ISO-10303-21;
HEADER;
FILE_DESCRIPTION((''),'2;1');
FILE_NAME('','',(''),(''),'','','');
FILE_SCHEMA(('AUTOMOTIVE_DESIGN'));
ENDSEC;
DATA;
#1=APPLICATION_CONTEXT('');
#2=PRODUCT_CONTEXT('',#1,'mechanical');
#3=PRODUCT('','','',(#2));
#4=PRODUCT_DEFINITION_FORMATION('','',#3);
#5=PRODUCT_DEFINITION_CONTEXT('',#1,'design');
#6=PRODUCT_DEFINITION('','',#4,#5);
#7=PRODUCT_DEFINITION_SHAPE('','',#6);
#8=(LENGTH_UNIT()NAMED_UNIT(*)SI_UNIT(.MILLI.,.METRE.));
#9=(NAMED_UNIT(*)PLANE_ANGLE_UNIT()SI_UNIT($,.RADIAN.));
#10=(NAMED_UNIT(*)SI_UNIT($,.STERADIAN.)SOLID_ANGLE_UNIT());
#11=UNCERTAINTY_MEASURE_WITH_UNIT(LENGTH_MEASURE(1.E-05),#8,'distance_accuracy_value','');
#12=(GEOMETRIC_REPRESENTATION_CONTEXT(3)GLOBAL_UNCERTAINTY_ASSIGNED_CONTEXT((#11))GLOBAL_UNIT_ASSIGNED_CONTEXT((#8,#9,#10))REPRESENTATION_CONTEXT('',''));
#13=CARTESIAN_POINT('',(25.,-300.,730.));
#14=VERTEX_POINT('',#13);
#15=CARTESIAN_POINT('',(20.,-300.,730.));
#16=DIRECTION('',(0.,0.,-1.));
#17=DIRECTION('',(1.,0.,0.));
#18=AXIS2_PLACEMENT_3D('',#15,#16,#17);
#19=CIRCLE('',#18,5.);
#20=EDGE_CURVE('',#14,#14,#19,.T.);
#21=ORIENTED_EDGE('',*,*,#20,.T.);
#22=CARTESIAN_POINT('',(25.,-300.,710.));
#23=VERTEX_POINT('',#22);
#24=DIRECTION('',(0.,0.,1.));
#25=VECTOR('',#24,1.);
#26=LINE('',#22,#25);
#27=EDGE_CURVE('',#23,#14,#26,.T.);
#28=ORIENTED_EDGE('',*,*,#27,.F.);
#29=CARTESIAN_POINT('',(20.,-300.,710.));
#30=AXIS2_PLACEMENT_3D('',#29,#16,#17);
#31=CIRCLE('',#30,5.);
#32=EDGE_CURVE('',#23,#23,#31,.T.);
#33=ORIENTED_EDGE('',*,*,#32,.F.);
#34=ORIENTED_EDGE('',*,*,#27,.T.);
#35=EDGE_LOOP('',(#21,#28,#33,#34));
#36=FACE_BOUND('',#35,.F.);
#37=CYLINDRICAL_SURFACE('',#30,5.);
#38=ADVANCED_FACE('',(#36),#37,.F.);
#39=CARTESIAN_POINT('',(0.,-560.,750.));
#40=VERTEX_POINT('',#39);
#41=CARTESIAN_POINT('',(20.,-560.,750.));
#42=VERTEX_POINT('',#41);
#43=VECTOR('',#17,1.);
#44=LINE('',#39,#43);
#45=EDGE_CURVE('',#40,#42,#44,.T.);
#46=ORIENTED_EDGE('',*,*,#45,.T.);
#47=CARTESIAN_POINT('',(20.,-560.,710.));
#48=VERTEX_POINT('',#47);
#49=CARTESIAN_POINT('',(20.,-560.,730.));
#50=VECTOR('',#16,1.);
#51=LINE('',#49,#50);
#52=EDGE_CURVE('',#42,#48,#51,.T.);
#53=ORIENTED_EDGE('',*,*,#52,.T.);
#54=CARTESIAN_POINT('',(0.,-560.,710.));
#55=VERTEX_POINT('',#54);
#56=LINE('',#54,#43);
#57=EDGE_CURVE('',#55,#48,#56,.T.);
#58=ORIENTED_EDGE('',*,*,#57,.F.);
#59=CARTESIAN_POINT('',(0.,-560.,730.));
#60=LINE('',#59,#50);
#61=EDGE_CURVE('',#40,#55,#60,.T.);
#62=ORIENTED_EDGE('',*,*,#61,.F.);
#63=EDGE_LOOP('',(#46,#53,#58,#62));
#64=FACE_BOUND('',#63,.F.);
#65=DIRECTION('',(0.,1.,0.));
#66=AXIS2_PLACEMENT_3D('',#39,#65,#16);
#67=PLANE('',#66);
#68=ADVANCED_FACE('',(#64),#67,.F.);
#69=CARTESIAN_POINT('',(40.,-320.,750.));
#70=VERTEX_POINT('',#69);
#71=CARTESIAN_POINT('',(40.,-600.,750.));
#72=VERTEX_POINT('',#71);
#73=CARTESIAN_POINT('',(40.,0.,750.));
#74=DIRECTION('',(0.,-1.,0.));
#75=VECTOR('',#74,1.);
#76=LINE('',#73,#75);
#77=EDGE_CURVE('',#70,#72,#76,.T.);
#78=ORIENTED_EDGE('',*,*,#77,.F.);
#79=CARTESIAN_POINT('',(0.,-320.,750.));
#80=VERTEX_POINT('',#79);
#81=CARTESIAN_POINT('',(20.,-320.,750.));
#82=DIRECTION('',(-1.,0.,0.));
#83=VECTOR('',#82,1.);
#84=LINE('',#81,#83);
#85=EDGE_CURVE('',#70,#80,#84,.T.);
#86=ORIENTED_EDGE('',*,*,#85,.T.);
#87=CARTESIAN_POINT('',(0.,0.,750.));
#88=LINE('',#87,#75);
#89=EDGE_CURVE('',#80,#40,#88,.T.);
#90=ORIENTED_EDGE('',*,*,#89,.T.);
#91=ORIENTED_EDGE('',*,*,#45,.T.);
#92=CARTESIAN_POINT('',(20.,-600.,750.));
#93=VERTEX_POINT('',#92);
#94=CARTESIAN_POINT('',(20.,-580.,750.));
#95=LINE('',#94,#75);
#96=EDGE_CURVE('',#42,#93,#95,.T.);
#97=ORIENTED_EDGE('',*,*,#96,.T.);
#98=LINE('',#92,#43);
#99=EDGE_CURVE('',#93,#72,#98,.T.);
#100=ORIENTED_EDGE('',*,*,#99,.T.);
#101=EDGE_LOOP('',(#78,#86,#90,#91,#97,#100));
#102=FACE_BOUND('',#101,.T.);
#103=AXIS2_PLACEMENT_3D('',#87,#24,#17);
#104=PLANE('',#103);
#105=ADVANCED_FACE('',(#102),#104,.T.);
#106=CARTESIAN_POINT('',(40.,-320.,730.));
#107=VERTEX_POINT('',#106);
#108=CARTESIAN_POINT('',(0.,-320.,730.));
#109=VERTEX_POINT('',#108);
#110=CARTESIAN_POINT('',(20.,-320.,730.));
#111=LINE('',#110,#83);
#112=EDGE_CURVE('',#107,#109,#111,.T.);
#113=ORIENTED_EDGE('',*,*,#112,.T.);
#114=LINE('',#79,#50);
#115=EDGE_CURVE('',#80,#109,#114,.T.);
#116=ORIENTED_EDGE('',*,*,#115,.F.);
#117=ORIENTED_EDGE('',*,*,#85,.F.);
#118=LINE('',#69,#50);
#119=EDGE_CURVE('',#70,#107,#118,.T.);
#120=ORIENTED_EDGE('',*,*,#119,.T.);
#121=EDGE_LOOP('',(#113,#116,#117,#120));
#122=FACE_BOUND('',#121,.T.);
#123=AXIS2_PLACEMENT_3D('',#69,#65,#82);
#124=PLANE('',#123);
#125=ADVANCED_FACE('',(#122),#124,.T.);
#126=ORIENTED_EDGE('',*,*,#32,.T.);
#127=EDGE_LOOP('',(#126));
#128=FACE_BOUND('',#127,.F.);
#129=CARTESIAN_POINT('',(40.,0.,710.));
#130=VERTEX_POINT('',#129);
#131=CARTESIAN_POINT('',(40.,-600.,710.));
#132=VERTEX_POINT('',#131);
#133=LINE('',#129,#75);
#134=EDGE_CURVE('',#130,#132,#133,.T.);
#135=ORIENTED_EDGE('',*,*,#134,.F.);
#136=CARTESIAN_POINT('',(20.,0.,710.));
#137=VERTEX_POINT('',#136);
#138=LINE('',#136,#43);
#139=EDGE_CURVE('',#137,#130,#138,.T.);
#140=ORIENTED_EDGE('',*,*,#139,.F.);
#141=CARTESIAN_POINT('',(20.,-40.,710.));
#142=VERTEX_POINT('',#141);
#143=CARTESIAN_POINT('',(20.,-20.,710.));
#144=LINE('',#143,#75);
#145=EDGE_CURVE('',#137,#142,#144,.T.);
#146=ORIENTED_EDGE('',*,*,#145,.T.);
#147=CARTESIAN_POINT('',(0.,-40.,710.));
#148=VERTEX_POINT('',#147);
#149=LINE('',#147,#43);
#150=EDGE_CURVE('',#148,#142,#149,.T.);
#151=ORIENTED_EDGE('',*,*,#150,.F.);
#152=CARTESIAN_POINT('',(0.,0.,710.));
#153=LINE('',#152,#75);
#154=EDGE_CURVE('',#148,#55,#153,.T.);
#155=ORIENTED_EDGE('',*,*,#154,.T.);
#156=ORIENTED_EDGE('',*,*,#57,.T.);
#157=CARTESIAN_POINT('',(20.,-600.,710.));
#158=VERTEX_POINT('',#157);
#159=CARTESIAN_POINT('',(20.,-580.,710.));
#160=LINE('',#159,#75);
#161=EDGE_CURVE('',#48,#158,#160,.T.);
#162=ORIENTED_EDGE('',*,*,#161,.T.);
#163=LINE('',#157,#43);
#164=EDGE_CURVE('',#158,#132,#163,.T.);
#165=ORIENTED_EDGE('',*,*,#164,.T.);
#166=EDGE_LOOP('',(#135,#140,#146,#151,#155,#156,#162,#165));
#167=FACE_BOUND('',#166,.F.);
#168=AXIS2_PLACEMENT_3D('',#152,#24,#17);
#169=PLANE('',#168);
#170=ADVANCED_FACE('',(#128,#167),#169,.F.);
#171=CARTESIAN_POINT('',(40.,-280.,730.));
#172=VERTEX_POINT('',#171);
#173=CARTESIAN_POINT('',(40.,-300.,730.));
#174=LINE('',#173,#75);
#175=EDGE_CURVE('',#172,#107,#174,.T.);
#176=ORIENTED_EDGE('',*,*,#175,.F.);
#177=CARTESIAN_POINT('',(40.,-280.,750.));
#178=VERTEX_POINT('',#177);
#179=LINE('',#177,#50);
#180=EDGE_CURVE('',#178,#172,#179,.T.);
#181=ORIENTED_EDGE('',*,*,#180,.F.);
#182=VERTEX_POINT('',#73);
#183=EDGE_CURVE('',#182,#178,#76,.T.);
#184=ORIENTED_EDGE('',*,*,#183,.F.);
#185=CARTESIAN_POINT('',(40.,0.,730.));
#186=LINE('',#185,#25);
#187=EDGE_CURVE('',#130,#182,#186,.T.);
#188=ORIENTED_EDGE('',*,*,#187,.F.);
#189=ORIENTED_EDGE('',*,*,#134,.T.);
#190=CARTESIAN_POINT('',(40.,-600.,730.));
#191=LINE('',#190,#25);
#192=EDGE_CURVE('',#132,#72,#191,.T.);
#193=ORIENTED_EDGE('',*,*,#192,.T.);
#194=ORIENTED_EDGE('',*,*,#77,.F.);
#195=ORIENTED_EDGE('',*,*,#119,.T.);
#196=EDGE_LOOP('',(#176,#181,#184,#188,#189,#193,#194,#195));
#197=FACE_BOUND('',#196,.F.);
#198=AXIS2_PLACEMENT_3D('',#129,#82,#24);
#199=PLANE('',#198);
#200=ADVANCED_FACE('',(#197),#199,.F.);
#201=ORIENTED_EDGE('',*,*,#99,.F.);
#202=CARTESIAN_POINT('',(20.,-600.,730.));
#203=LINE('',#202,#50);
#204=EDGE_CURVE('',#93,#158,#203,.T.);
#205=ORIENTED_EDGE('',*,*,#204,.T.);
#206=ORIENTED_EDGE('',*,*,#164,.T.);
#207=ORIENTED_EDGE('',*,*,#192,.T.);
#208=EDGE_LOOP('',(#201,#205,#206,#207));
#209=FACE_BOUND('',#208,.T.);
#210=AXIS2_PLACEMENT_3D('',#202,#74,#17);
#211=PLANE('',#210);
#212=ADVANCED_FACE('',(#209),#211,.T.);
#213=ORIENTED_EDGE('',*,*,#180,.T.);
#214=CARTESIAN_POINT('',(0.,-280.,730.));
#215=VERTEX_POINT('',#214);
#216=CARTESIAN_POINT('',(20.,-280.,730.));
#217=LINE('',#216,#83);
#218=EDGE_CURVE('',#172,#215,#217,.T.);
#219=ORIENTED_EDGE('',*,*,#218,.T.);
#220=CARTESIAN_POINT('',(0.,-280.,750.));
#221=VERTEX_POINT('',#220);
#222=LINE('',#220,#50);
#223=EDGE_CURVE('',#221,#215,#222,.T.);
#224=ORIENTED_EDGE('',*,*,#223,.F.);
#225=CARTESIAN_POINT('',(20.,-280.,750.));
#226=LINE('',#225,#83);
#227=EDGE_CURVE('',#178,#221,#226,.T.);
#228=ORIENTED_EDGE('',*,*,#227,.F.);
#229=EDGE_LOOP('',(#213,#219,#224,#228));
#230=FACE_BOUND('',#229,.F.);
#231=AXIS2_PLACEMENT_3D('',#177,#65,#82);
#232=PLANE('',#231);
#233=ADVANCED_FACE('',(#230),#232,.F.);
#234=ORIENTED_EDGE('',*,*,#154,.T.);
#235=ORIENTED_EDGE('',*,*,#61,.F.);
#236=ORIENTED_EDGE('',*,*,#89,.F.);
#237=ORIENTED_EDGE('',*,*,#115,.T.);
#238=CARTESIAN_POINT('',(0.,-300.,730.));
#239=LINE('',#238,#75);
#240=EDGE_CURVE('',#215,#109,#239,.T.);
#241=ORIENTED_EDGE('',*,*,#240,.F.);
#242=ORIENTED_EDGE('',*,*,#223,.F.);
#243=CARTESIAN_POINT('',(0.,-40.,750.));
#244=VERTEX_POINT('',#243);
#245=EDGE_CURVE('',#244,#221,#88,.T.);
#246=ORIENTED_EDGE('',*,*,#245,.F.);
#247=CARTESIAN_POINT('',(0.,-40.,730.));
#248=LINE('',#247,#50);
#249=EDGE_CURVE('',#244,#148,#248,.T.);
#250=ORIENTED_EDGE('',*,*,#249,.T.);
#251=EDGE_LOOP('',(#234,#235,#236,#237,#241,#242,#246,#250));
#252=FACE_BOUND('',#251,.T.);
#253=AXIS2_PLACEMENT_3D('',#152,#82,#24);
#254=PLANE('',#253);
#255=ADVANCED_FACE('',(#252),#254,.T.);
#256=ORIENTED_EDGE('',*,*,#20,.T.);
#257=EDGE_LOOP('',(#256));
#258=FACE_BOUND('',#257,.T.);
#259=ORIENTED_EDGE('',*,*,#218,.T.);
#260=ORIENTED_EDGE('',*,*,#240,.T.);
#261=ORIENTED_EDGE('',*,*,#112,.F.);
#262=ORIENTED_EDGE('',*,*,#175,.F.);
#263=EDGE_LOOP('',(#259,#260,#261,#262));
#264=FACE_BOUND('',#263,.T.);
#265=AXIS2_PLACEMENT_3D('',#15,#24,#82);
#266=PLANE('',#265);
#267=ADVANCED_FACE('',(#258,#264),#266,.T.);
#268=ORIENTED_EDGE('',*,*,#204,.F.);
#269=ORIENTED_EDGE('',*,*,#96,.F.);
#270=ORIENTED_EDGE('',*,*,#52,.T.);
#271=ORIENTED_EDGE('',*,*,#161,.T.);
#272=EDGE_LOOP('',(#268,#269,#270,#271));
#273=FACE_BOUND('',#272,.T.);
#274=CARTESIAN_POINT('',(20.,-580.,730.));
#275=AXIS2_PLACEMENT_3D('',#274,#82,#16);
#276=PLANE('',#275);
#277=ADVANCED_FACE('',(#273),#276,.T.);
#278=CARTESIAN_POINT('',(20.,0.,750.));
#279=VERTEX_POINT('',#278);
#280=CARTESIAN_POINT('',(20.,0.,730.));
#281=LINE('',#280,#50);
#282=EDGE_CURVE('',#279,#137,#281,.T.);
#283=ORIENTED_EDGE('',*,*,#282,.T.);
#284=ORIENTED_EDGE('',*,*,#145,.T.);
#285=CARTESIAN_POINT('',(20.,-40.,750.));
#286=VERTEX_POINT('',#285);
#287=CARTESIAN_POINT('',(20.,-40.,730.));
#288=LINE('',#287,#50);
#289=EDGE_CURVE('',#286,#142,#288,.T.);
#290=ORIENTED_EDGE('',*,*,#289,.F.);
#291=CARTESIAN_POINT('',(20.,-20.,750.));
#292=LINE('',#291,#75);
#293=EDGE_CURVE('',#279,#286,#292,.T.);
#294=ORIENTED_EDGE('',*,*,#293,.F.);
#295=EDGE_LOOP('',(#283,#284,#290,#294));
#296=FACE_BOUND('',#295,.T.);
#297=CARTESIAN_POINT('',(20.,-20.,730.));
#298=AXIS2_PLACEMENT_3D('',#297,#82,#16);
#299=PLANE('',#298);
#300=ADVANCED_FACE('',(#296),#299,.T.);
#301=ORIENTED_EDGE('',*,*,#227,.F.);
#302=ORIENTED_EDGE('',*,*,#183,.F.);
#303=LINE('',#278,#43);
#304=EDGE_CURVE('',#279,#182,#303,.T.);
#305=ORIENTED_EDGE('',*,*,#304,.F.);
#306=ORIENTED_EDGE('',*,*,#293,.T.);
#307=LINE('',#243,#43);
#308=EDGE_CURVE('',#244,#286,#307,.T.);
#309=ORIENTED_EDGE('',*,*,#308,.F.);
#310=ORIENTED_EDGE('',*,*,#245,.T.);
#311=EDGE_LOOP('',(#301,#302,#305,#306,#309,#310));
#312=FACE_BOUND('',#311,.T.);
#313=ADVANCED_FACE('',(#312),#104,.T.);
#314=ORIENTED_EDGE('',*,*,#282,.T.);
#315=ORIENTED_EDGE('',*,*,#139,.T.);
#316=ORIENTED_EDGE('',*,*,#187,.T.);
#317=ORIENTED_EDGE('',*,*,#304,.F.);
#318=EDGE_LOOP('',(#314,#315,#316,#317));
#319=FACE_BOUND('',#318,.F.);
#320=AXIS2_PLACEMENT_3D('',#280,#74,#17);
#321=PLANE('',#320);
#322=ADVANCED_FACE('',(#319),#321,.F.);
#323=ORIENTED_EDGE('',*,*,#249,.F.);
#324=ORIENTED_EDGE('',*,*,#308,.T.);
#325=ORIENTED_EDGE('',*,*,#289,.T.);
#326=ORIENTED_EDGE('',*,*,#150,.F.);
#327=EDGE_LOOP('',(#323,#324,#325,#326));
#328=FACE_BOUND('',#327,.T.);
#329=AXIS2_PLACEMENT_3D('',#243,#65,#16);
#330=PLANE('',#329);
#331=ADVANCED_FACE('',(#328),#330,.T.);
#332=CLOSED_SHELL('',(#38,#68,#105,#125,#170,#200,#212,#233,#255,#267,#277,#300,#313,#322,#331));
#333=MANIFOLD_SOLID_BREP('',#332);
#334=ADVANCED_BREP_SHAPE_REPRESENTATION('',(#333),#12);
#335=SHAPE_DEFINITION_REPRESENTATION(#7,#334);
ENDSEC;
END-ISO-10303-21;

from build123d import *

# Parameters (mm, degrees)
SKETCH018_W     = 40
SKETCH018_H     = 40
PAD018_DEPTH    = 600
SKETCH019_W     = 40
SKETCH019_H     = 40
POCKET_DEPTH    = 20
SKETCH020_W     = 40
SKETCH020_H     = 40
POCKET001_DEPTH = 20
SKETCH064_R     = 5
POCKET019_DEPTH = 40.001


with BuildPart() as part:
    # Sketch018 → Pad018 (new body)
    with BuildSketch(Plane.XZ):
        with Locations((20, 280)):
            Rectangle(SKETCH018_W, SKETCH018_H)
    extrude(amount=PAD018_DEPTH)

    # Sketch019 (on Face4 of Pad018) → Pocket (cut)
    with BuildSketch(Plane(origin=(0, 0, 0), x_dir=(0, 0, -1), z_dir=(-1, 0, 0))):
        with Locations((-280, 580)):
            Rectangle(SKETCH019_W, SKETCH019_H)
        with Locations((-280, 20)):
            Rectangle(SKETCH019_W, SKETCH019_H)
    extrude(amount=-POCKET_DEPTH, mode=Mode.SUBTRACT)

    # Sketch020 (on Face1 of Pocket) → Pocket001 (cut)
    with BuildSketch(Plane(origin=(0, 0, 300), x_dir=(-1, 0, 0), z_dir=(0, 0, 1))):
        with Locations((-20, 300)):
            Rectangle(SKETCH020_W, SKETCH020_H)
    extrude(amount=-POCKET001_DEPTH, mode=Mode.SUBTRACT)

    # Sketch064 (on Face8 of Pocket001) → Pocket019 (cut, through all)
    with BuildSketch(Plane(origin=(0, 0, 260), x_dir=(1, 0, 0), z_dir=(0, 0, -1))):
        with Locations((20, 300)):
            Circle(SKETCH064_R)
    extrude(amount=-POCKET019_DEPTH, mode=Mode.SUBTRACT)


with BuildPart() as part_1:
    # Clone011 placement: moved
    add(part.part.moved(Location((0, 0, 450))))


solid = part_1.part
